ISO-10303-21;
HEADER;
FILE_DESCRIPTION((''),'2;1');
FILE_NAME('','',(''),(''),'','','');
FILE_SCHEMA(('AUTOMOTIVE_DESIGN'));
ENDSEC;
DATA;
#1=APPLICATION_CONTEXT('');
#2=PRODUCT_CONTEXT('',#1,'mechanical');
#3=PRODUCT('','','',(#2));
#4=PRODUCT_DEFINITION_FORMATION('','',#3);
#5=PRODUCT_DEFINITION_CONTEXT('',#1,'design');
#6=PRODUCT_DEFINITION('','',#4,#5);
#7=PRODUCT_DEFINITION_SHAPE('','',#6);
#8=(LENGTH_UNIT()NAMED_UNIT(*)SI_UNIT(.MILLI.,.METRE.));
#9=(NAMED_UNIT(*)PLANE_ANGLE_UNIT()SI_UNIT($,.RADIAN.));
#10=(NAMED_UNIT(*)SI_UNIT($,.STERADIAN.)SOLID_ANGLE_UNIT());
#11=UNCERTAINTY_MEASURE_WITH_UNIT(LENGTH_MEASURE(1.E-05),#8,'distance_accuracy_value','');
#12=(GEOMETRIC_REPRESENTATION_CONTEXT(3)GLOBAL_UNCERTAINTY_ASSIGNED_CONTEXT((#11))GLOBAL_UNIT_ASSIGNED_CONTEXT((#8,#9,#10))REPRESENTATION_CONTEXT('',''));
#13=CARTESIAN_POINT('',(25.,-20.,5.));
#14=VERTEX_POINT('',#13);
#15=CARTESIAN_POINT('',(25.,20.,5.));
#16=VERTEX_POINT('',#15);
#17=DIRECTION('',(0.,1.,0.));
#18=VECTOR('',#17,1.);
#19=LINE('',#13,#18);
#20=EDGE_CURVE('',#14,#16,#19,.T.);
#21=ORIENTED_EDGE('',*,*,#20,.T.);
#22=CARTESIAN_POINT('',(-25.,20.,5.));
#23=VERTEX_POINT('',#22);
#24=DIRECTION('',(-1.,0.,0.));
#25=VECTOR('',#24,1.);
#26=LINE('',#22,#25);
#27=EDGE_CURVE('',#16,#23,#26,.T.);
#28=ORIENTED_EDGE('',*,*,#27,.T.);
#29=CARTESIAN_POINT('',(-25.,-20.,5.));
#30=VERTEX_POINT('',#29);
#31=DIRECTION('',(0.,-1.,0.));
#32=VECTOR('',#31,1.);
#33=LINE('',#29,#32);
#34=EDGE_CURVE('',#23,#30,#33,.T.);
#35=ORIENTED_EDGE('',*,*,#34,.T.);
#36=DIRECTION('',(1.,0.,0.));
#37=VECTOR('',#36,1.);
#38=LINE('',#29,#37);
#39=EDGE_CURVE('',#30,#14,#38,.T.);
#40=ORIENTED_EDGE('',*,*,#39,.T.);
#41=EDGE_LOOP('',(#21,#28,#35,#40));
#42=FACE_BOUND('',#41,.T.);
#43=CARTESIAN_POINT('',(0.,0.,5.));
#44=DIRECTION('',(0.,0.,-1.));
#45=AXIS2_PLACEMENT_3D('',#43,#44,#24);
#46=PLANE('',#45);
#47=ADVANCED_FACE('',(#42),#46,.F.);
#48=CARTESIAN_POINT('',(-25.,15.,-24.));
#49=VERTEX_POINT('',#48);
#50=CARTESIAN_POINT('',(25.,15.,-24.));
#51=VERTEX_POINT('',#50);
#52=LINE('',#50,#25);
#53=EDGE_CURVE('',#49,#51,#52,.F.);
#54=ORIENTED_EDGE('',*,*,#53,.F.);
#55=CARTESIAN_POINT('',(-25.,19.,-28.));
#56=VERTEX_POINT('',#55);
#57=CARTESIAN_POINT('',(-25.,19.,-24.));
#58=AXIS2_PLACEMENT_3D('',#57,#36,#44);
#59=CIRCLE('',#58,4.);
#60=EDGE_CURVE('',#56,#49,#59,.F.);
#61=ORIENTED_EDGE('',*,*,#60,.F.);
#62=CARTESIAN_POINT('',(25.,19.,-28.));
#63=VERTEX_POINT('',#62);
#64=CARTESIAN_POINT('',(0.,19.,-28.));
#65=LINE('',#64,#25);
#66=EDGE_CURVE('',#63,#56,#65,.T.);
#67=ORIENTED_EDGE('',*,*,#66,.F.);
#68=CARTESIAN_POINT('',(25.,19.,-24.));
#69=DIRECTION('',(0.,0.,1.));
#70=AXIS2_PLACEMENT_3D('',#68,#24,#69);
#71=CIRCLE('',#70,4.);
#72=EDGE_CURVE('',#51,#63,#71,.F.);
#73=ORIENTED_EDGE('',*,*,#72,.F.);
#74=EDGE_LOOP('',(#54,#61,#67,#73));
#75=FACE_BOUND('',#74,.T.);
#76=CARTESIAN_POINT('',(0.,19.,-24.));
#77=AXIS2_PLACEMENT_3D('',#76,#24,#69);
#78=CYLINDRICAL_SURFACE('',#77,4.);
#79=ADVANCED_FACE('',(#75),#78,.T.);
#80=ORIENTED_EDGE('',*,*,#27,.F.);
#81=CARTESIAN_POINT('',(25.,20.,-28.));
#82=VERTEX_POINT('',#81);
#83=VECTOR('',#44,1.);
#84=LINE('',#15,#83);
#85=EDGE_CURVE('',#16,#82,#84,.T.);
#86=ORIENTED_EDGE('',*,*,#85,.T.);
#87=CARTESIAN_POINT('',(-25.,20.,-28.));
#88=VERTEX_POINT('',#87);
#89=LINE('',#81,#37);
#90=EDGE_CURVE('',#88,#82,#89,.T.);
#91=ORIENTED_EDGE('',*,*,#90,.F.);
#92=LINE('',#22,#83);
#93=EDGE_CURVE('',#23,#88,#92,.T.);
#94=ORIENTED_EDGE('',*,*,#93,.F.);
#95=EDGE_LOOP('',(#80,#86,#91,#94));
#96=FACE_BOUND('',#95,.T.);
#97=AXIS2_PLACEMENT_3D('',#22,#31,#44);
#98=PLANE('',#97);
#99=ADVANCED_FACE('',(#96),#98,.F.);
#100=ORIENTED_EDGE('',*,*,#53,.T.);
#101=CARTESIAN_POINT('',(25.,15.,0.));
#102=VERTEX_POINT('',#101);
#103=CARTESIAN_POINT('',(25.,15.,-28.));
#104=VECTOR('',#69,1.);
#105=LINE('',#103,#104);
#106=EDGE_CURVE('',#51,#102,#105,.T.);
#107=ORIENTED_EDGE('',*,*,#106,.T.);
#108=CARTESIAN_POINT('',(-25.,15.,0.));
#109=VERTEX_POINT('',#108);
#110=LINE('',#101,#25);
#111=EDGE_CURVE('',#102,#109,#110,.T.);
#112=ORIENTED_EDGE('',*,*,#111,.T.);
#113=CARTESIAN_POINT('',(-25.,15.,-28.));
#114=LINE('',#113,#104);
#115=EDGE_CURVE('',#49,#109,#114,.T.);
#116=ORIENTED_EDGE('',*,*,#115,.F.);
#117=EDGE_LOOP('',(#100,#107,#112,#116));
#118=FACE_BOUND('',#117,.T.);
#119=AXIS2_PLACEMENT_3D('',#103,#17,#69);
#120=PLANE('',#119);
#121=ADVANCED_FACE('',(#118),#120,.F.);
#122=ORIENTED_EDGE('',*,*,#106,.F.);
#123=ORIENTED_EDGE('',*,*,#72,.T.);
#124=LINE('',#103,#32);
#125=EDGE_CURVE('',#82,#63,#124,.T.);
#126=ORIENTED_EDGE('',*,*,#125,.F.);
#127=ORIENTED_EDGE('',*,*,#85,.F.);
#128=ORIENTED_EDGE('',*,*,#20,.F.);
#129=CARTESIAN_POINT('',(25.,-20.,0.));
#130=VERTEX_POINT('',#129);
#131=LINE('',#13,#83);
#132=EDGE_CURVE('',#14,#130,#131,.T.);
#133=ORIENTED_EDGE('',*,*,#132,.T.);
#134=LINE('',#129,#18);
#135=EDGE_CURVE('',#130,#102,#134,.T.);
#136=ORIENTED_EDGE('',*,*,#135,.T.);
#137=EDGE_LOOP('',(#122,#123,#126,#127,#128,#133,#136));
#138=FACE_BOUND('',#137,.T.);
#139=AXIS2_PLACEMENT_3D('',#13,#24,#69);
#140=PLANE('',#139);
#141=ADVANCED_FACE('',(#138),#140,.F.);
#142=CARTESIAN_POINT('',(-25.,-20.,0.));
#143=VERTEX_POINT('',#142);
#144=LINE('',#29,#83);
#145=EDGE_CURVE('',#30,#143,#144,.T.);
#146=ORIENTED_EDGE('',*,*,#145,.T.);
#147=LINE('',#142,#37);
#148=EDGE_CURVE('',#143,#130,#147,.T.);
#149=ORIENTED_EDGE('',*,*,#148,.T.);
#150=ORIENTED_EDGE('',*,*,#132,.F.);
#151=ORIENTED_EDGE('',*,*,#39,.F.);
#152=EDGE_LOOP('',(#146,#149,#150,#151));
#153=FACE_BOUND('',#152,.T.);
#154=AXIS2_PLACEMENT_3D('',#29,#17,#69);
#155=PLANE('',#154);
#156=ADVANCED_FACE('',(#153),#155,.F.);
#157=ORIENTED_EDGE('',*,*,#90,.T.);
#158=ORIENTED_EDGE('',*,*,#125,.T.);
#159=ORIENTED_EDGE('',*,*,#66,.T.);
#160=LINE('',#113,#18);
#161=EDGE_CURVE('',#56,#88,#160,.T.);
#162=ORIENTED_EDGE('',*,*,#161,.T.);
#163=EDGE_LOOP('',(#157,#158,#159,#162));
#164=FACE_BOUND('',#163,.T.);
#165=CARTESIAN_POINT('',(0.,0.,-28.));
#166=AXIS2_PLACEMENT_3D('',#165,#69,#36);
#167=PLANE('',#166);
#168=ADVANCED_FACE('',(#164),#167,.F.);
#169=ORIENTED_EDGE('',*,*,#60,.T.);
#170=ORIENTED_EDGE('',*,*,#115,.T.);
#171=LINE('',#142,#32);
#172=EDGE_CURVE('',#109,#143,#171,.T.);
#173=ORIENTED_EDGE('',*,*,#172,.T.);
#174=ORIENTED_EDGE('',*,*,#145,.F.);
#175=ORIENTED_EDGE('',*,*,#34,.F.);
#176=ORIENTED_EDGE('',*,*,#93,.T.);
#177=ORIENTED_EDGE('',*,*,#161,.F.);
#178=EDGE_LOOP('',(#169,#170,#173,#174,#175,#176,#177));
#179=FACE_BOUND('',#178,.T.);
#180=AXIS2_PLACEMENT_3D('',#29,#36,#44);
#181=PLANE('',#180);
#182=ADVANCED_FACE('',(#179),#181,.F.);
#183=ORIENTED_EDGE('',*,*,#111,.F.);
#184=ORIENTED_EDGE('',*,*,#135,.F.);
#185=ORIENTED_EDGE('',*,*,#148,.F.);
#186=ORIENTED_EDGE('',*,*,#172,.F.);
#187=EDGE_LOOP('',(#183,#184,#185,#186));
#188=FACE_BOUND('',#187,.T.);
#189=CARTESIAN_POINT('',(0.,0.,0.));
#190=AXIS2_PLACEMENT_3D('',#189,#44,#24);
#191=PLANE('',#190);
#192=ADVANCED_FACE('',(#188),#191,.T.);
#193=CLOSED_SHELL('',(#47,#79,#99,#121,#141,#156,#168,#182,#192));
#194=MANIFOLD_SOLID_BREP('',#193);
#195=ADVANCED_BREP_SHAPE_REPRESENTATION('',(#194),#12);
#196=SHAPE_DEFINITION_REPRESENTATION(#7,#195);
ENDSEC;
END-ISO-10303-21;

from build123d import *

# Parameters (mm, degrees)
SKETCH1_W           = 50
SKETCH1_H           = 40
BOSS_EXTRUDE1_DEPTH = 5
SKETCH2_W           = 50
SKETCH2_H           = 5
BOSS_EXTRUDE2_DEPTH = 28
FILLET1_R           = 4


with BuildPart() as part:
    # Sketch1 → Boss-Extrude1 (new body)
    with BuildSketch(Plane.XY):
        Rectangle(SKETCH1_W, SKETCH1_H)
    extrude(amount=BOSS_EXTRUDE1_DEPTH)

    # Sketch2 → Boss-Extrude2 (add)
    with BuildSketch(Plane(origin=(0, 0, 0), x_dir=(-1, 0, 0), z_dir=(0, 0, -1))):
        with Locations((0, 17.5)):
            Rectangle(SKETCH2_W, SKETCH2_H)
    extrude(amount=BOSS_EXTRUDE2_DEPTH)

    # Fillet1
    fillet1_edges = [part.edges().sort_by_distance(p)[0] for p in [
        (0, 15, -28),
    ]]
    fillet(fillet1_edges, radius=FILLET1_R)


solid = part.part
